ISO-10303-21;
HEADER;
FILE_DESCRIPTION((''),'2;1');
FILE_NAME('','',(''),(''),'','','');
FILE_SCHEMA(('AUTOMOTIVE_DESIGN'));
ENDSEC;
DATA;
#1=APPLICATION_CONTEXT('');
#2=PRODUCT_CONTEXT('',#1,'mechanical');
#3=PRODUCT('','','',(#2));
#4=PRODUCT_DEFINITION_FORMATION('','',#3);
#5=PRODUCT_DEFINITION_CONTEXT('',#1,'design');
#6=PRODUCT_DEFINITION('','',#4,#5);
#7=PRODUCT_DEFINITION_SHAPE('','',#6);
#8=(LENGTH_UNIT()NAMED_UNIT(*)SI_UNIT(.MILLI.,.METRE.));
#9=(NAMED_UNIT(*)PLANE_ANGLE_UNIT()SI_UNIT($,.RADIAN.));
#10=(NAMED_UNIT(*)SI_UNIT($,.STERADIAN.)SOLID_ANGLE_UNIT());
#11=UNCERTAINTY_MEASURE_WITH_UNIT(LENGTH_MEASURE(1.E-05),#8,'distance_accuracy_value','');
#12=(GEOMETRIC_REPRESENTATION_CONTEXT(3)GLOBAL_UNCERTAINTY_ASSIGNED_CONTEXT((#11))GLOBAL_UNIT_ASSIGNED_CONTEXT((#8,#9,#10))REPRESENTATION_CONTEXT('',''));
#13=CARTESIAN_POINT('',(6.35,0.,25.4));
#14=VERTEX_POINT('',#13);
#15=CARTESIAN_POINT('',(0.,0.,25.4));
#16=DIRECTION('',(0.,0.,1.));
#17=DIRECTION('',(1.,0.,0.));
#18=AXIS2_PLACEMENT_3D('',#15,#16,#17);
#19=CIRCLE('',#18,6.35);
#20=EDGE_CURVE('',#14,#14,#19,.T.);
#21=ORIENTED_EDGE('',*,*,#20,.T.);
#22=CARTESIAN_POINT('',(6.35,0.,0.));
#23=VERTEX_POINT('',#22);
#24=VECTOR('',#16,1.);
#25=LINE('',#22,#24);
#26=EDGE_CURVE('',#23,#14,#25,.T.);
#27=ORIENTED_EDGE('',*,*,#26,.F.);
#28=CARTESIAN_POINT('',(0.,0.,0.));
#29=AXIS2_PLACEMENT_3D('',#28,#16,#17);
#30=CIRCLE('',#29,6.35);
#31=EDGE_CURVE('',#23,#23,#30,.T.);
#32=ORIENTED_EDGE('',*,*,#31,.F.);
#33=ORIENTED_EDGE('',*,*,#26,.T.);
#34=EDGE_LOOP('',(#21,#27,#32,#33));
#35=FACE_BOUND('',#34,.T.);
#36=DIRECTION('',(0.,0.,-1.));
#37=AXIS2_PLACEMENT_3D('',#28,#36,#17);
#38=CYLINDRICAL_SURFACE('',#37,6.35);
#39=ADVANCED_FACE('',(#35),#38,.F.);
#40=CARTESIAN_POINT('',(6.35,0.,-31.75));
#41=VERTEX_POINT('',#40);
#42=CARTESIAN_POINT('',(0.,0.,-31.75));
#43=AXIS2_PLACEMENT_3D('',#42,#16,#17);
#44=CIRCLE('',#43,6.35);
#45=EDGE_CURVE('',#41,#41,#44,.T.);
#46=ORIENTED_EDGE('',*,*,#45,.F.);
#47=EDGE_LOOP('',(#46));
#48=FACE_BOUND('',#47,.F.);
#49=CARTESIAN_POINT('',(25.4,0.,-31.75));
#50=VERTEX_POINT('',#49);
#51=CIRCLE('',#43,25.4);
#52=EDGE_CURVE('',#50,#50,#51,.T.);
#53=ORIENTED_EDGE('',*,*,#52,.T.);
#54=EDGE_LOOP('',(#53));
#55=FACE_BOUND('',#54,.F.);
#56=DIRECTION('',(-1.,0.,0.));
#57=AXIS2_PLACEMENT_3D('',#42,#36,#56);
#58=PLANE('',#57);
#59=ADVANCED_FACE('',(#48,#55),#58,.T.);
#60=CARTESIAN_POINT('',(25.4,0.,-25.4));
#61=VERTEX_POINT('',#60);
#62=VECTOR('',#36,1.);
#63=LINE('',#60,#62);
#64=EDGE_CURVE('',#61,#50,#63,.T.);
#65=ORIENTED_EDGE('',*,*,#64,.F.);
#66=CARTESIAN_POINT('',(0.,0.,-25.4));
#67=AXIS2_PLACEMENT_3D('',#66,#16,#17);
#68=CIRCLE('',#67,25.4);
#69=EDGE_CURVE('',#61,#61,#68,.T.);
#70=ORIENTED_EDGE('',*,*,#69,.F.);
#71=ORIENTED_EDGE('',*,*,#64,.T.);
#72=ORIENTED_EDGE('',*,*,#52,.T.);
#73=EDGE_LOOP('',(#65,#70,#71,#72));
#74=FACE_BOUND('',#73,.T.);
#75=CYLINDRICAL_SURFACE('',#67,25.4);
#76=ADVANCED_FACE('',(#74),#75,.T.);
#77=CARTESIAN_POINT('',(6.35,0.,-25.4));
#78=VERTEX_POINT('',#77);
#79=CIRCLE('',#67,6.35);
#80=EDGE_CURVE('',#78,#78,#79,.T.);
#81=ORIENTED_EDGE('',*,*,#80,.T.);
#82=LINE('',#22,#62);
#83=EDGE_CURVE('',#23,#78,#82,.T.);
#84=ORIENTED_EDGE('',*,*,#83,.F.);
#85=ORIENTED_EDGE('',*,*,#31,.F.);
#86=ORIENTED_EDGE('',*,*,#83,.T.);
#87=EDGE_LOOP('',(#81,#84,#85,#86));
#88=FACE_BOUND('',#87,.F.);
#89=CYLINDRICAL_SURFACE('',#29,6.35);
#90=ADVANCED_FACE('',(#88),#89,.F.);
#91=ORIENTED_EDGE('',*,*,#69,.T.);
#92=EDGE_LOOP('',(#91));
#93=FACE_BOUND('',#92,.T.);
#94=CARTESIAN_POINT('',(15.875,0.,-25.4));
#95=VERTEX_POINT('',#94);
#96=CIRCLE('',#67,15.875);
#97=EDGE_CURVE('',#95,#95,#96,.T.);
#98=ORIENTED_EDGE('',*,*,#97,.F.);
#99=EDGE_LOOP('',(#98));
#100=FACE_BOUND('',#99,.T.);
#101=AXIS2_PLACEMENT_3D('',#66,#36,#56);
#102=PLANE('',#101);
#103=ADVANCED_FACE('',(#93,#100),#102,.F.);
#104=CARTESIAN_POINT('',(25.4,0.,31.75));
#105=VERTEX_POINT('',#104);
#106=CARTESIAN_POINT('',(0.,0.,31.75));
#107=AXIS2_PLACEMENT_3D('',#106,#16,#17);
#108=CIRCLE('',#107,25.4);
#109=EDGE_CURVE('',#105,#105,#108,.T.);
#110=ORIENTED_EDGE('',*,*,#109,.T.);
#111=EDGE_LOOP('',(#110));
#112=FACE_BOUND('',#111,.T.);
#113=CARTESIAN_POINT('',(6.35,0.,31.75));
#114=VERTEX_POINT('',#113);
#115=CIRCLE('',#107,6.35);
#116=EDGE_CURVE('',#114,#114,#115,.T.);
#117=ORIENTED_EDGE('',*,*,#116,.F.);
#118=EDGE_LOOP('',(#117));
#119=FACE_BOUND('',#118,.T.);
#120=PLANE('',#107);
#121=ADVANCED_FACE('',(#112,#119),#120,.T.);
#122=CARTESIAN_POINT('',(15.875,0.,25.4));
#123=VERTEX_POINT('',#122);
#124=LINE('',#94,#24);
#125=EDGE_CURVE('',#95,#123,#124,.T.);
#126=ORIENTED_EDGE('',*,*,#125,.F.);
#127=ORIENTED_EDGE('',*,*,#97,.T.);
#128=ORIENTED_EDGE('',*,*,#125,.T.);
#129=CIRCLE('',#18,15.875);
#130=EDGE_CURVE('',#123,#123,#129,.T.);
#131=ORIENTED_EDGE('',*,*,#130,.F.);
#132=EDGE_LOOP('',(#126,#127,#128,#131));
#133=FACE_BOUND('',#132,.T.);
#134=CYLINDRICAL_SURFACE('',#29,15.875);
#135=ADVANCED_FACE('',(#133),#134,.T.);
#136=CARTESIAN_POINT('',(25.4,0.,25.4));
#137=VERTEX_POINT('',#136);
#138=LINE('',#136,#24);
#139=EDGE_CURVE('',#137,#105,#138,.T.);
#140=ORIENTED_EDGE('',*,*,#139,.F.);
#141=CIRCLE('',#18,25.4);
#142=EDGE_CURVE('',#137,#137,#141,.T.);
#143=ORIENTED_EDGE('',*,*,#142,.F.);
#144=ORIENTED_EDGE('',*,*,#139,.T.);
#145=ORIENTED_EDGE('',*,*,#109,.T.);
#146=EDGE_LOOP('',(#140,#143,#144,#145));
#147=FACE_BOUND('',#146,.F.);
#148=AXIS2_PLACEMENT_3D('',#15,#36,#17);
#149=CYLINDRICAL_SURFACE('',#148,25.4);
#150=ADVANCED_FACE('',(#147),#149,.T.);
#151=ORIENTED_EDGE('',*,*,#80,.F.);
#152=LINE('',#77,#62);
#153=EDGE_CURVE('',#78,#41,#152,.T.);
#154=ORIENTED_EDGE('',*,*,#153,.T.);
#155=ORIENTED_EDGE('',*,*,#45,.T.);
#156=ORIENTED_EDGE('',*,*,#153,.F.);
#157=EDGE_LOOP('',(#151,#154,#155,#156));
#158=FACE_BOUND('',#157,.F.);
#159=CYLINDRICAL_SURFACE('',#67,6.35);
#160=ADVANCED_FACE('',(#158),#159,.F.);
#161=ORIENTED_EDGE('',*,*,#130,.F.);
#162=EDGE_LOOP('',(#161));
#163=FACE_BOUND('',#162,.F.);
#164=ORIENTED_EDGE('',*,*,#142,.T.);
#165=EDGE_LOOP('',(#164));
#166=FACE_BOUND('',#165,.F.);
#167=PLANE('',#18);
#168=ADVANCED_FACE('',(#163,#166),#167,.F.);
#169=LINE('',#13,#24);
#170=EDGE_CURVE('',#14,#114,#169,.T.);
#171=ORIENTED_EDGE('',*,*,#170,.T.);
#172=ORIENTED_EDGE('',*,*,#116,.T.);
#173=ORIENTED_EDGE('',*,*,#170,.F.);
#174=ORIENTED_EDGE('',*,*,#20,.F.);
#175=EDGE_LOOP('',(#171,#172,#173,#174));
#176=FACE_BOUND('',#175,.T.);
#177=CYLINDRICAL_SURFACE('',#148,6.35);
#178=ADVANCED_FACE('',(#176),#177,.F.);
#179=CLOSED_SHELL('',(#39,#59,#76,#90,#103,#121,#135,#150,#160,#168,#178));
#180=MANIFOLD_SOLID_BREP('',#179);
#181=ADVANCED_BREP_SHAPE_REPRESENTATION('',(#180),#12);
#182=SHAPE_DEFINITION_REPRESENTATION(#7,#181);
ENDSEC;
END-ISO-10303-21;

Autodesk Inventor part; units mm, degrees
ref_plane "YZ Plane" through (0, 0, 0) normal (1, 0, 0) x (0, 1, 0)
ref_plane "XZ Plane" through (0, 0, 0) normal (0, 1, 0) x (-1, 0, 0)
ref_plane "XY Plane" through (0, 0, 0) normal (0, 0, 1) x (1, 0, 0)
sketch "Sketch1" plane through (0, 0, 0) normal (0, 0, 1) x (1, 0, 0)
  circle A0 centre (0, 0) radius 15.875
  circle A1 centre (0, 0) radius 6.35
  dimension "d0" = 31.75
  dimension "d1" = 12.7
extrude "Extrusion1" add sketch "Sketch1" along normal mid plane 50.8
sketch "Sketch2" plane through (0, 0, 25.4) normal (0, 0, 1) x (1, 0, 0)
  circle A0 centre (0, 0) radius 6.35
  circle A1 centre (0, 0) radius 25.4
  dimension "d4" = 50.8
  dimension "d7" = 12.7
extrude "Extrusion2" add sketch "Sketch2" along normal blind 6.35
mirror "Mirror1" about plane through (0, 0, 0) normal (0, 0, 1) of "Extrusion2"
properties part number "lift Hub"
